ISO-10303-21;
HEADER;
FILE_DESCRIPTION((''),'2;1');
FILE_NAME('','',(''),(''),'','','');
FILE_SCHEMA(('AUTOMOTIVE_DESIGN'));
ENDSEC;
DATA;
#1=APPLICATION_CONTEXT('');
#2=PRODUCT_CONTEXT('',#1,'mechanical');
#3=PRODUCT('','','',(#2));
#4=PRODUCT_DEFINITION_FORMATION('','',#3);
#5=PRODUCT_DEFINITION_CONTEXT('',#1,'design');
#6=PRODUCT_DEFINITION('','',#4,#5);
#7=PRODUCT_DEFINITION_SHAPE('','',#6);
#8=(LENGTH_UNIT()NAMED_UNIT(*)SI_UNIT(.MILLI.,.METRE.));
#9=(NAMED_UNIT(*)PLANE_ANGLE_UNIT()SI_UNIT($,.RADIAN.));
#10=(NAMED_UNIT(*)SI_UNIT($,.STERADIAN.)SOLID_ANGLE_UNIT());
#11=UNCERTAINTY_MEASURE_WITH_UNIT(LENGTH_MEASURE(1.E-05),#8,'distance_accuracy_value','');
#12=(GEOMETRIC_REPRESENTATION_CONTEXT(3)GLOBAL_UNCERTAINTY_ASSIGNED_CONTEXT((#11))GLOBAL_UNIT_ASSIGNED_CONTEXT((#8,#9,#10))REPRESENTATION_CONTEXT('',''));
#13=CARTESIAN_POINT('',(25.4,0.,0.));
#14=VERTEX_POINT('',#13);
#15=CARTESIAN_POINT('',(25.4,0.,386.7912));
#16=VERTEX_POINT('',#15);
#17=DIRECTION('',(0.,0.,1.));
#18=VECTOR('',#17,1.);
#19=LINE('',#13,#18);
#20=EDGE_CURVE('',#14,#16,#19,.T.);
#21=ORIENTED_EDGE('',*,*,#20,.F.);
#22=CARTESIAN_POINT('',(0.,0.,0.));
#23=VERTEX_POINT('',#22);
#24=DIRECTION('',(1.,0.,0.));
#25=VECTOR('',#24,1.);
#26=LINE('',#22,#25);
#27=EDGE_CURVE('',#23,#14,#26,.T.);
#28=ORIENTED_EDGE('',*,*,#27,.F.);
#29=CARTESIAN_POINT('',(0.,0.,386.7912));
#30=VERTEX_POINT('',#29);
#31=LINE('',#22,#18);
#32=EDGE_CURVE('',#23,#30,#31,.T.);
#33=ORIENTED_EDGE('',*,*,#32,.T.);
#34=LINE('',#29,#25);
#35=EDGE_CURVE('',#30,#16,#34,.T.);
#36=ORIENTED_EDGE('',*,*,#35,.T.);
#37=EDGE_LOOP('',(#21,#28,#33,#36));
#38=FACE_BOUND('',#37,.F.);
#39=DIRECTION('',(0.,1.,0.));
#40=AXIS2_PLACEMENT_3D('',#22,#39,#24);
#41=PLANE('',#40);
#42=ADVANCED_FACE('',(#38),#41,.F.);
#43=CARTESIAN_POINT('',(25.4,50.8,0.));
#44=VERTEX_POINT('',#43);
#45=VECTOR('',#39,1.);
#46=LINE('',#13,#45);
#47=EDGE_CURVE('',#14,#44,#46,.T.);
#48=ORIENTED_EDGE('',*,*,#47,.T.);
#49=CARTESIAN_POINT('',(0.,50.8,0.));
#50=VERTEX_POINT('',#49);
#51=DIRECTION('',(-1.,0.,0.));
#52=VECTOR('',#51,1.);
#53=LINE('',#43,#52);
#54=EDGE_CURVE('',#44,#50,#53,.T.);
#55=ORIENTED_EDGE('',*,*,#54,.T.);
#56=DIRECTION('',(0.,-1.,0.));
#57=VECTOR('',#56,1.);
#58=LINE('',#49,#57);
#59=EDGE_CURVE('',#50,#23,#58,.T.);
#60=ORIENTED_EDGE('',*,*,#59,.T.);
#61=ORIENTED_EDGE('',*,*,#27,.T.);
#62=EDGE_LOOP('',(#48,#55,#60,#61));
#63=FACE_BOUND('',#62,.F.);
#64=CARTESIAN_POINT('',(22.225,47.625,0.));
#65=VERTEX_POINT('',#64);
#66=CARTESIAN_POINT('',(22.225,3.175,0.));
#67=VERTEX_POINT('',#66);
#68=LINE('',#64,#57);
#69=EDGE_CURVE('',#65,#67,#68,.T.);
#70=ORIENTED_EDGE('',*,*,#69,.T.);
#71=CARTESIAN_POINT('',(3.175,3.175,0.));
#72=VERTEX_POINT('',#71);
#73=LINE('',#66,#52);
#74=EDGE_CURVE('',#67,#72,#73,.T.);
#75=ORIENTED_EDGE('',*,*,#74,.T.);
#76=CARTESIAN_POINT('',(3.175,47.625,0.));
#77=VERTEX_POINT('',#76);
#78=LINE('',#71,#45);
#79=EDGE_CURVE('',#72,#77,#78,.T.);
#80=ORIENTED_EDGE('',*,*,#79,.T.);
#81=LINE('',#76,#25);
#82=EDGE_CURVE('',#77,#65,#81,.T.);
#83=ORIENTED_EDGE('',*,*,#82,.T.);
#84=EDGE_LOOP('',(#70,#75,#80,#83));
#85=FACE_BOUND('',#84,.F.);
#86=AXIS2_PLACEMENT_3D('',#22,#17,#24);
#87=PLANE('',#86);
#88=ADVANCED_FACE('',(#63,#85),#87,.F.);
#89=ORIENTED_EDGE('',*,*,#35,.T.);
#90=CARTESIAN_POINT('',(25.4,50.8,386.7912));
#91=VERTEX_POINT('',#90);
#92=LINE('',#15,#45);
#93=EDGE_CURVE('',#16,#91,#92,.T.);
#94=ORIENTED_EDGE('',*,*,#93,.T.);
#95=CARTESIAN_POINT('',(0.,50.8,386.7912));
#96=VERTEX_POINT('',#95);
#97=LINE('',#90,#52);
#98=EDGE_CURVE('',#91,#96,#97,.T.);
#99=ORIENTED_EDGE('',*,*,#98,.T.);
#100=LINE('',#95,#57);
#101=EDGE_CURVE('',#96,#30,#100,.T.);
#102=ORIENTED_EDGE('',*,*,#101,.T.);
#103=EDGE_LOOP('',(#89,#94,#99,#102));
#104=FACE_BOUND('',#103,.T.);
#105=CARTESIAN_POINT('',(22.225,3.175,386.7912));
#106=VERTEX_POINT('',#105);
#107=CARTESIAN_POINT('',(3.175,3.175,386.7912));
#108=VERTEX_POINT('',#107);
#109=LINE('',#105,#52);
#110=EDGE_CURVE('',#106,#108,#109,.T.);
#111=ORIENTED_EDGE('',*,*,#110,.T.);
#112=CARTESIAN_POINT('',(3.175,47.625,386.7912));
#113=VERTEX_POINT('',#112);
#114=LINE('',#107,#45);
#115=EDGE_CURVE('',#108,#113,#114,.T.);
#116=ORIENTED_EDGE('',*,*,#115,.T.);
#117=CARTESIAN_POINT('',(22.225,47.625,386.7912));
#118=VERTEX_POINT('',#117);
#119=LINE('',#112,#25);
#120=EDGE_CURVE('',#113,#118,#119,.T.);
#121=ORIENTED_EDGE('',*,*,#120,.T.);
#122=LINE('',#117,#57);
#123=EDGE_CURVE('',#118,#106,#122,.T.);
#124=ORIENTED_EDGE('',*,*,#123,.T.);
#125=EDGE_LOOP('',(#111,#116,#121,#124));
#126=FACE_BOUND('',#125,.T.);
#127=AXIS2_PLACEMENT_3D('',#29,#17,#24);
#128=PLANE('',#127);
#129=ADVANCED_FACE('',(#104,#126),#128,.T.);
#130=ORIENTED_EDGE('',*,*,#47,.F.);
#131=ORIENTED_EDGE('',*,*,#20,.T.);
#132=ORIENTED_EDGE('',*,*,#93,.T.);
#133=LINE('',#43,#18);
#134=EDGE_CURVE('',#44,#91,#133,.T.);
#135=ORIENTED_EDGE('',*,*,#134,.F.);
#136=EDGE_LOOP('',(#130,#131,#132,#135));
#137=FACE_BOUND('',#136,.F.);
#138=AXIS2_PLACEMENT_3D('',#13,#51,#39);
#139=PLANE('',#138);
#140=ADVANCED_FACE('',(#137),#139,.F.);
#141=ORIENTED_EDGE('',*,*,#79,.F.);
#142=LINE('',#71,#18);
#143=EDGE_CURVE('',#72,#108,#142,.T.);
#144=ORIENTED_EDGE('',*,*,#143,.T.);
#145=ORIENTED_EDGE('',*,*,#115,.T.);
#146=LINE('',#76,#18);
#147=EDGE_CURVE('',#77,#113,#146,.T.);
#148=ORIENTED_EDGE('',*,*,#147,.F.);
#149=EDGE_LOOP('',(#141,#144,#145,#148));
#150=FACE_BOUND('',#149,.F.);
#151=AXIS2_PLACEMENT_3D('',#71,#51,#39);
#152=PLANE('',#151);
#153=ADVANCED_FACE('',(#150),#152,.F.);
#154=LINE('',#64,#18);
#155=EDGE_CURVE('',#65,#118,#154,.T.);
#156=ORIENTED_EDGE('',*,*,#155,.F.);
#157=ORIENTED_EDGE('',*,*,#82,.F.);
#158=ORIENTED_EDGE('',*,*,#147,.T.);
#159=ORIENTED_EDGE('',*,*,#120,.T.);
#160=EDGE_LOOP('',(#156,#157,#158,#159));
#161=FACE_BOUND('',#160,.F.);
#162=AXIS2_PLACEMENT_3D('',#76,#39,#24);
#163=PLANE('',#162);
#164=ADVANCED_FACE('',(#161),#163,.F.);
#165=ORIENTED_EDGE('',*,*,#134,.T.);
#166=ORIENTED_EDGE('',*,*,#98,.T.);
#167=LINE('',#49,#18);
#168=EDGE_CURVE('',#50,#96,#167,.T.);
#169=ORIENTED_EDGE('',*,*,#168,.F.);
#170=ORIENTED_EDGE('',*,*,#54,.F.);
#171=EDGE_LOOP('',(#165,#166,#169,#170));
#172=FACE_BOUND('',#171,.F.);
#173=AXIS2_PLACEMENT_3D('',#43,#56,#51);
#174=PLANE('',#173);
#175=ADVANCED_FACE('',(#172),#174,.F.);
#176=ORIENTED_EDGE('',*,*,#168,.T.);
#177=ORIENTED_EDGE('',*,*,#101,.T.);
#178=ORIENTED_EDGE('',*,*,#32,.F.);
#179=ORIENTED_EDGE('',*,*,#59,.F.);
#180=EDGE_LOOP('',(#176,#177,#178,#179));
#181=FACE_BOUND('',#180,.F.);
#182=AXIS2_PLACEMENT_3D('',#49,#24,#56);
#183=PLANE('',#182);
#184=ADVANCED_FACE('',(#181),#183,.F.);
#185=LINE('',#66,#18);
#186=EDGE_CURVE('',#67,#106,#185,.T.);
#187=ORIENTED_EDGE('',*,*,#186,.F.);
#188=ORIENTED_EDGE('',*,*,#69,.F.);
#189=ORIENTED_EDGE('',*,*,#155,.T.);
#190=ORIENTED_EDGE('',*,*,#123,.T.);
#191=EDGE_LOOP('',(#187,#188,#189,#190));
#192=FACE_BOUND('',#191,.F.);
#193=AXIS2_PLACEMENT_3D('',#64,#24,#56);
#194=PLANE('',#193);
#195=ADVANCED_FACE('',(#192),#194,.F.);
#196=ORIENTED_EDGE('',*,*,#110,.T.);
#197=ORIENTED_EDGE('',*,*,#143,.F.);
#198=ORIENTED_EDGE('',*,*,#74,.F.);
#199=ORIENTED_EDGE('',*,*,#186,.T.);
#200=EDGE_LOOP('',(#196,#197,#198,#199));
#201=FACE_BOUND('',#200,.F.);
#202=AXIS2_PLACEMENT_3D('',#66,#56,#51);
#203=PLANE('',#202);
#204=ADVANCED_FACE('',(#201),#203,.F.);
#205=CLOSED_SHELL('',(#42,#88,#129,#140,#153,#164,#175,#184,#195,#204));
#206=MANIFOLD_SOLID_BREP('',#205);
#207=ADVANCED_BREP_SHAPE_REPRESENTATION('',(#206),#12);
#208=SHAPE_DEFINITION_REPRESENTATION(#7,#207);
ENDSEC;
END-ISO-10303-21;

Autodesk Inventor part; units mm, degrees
ref_plane "YZ Plane" through (0, 0, 0) normal (1, 0, 0) x (0, 1, 0)
ref_plane "XZ Plane" through (0, 0, 0) normal (0, 1, 0) x (-1, 0, 0)
ref_plane "XY Plane" through (0, 0, 0) normal (0, 0, 1) x (1, 0, 0)
sketch "Sketch1" plane through (0, 0, 0) normal (0, 0, 1) x (1, 0, 0)
  line L0 (0, 0) -> (25.4, 0)
  line L1 (25.4, 0) -> (25.4, 50.8)
  line L2 (25.4, 50.8) -> (0, 50.8)
  line L3 (0, 50.8) -> (0, 0)
  line L4 (22.225, 3.175) -> (3.175, 3.175)
  line L5 (3.175, 3.175) -> (3.175, 47.625)
  line L6 (3.175, 47.625) -> (22.225, 47.625)
  line L7 (22.225, 47.625) -> (22.225, 3.175)
  dimension "d0" = 25.4
  dimension "d1" = 50.8
  dimension "d2" = 3.175
extrude "Extrusion1" add sketch "Sketch1" along normal blind 386.7912
properties part number "Arm Support"
